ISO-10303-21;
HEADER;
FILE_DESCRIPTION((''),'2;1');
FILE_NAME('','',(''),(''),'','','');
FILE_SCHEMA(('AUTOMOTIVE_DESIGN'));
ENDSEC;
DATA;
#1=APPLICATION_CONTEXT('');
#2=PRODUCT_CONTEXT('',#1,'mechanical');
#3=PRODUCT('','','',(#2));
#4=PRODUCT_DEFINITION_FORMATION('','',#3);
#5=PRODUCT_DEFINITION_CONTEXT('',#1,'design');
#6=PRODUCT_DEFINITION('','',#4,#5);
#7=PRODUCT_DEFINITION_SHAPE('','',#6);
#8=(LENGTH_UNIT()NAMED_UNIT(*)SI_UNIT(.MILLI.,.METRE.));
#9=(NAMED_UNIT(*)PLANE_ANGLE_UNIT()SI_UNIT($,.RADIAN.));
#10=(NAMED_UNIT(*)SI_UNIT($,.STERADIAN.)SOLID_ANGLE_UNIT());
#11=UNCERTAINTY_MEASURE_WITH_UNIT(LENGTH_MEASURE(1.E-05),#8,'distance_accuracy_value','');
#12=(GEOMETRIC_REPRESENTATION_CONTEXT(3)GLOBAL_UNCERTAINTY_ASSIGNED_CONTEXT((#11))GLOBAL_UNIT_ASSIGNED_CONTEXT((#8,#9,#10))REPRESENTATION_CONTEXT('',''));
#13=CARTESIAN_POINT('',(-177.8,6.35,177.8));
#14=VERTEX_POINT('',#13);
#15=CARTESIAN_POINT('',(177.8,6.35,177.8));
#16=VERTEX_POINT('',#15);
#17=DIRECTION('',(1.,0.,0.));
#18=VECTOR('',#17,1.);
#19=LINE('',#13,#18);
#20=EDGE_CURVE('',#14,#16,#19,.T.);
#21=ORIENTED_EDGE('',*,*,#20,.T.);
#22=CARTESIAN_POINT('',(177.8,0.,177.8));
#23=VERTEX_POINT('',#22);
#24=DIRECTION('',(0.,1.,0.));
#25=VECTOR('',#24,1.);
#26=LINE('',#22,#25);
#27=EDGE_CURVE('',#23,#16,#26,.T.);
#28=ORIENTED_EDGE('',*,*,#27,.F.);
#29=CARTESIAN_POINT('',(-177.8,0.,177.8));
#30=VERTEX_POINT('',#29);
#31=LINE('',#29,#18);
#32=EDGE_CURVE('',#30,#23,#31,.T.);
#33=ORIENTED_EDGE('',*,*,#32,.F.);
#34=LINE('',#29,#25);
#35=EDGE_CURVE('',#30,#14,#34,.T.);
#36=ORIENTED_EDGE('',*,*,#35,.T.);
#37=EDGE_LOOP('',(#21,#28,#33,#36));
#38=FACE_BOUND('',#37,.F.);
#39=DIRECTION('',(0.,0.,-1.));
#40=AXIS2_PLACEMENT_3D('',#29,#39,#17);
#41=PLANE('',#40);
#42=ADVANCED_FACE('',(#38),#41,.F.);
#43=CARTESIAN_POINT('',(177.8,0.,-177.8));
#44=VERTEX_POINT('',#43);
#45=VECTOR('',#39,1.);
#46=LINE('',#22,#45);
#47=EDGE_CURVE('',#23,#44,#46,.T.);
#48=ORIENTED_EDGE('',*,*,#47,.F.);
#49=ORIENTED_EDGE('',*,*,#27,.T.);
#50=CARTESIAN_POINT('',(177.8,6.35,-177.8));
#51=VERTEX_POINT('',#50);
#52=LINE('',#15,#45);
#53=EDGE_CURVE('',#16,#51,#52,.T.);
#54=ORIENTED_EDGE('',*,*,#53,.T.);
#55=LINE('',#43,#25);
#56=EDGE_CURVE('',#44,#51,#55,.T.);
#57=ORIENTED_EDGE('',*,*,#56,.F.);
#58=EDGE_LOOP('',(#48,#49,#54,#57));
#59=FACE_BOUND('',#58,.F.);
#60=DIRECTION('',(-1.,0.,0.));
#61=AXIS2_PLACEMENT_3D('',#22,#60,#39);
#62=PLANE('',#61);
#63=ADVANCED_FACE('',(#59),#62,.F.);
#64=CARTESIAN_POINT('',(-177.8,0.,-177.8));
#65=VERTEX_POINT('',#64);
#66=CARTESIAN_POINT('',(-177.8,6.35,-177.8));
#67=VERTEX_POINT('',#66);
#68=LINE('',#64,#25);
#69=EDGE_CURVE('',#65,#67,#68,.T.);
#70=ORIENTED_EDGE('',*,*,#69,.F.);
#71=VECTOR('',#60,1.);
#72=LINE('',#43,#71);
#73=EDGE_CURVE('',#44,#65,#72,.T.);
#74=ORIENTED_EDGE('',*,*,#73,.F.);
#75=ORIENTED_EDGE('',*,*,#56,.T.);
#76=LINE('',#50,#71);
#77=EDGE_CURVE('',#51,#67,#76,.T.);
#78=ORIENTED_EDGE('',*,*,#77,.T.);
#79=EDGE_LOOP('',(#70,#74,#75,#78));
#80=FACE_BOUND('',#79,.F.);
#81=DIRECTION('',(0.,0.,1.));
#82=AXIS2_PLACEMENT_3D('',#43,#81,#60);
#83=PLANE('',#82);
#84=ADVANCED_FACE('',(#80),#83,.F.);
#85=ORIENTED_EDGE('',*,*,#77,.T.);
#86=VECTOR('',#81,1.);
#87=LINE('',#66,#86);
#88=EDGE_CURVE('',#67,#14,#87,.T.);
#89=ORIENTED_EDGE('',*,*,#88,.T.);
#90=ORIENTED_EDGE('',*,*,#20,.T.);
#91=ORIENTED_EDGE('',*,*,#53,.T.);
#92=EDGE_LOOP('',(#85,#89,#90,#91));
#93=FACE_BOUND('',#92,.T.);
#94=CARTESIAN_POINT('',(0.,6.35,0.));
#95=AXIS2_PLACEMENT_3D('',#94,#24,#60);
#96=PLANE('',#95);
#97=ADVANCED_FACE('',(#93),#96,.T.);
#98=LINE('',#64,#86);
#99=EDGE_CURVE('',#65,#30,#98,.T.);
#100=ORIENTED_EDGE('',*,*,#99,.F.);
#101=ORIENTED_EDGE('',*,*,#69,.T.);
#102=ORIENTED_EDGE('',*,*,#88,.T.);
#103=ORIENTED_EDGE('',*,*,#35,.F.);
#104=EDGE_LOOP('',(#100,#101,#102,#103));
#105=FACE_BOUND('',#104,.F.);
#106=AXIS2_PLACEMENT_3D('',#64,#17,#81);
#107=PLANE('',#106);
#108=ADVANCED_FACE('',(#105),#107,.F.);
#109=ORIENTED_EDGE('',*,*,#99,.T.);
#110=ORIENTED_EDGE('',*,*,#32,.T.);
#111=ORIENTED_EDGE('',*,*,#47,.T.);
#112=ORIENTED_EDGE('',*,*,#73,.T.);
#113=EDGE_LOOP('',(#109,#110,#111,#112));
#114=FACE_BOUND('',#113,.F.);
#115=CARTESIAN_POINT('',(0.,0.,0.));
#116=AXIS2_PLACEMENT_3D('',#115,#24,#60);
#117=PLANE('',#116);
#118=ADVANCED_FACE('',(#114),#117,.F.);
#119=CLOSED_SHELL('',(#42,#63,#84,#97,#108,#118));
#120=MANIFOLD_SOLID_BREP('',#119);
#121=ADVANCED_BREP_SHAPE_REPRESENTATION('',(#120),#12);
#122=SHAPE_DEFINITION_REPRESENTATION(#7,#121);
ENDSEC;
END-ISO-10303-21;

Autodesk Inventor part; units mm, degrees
ref_plane "YZ Plane" through (0, 0, 0) normal (1, 0, 0) x (0, 1, 0)
ref_plane "XZ Plane" through (0, 0, 0) normal (0, 1, 0) x (-1, 0, 0)
ref_plane "XY Plane" through (0, 0, 0) normal (0, 0, 1) x (1, 0, 0)
sketch "Sketch1" plane through (0, 0, 0) normal (0, 1, 0) x (-1, 0, 0)
  line L0 (177.8, 177.8) -> (-177.8, 177.8)
  line L1 (-177.8, 177.8) -> (-177.8, -177.8)
  line L2 (-177.8, -177.8) -> (177.8, -177.8)
  line L3 (177.8, -177.8) -> (177.8, 177.8)
  line L4 (177.8, 177.8) -> (-177.8, -177.8) construction
  line L5 (-177.8, 177.8) -> (177.8, -177.8) construction
  point P0 (0, 0)
  dimension "d0" = 355.6
  dimension "d1" = 355.6
extrude "Extrusion1" add sketch "Sketch1" along normal blind 6.35
properties part number "panel_14x14l" material "Glass"
